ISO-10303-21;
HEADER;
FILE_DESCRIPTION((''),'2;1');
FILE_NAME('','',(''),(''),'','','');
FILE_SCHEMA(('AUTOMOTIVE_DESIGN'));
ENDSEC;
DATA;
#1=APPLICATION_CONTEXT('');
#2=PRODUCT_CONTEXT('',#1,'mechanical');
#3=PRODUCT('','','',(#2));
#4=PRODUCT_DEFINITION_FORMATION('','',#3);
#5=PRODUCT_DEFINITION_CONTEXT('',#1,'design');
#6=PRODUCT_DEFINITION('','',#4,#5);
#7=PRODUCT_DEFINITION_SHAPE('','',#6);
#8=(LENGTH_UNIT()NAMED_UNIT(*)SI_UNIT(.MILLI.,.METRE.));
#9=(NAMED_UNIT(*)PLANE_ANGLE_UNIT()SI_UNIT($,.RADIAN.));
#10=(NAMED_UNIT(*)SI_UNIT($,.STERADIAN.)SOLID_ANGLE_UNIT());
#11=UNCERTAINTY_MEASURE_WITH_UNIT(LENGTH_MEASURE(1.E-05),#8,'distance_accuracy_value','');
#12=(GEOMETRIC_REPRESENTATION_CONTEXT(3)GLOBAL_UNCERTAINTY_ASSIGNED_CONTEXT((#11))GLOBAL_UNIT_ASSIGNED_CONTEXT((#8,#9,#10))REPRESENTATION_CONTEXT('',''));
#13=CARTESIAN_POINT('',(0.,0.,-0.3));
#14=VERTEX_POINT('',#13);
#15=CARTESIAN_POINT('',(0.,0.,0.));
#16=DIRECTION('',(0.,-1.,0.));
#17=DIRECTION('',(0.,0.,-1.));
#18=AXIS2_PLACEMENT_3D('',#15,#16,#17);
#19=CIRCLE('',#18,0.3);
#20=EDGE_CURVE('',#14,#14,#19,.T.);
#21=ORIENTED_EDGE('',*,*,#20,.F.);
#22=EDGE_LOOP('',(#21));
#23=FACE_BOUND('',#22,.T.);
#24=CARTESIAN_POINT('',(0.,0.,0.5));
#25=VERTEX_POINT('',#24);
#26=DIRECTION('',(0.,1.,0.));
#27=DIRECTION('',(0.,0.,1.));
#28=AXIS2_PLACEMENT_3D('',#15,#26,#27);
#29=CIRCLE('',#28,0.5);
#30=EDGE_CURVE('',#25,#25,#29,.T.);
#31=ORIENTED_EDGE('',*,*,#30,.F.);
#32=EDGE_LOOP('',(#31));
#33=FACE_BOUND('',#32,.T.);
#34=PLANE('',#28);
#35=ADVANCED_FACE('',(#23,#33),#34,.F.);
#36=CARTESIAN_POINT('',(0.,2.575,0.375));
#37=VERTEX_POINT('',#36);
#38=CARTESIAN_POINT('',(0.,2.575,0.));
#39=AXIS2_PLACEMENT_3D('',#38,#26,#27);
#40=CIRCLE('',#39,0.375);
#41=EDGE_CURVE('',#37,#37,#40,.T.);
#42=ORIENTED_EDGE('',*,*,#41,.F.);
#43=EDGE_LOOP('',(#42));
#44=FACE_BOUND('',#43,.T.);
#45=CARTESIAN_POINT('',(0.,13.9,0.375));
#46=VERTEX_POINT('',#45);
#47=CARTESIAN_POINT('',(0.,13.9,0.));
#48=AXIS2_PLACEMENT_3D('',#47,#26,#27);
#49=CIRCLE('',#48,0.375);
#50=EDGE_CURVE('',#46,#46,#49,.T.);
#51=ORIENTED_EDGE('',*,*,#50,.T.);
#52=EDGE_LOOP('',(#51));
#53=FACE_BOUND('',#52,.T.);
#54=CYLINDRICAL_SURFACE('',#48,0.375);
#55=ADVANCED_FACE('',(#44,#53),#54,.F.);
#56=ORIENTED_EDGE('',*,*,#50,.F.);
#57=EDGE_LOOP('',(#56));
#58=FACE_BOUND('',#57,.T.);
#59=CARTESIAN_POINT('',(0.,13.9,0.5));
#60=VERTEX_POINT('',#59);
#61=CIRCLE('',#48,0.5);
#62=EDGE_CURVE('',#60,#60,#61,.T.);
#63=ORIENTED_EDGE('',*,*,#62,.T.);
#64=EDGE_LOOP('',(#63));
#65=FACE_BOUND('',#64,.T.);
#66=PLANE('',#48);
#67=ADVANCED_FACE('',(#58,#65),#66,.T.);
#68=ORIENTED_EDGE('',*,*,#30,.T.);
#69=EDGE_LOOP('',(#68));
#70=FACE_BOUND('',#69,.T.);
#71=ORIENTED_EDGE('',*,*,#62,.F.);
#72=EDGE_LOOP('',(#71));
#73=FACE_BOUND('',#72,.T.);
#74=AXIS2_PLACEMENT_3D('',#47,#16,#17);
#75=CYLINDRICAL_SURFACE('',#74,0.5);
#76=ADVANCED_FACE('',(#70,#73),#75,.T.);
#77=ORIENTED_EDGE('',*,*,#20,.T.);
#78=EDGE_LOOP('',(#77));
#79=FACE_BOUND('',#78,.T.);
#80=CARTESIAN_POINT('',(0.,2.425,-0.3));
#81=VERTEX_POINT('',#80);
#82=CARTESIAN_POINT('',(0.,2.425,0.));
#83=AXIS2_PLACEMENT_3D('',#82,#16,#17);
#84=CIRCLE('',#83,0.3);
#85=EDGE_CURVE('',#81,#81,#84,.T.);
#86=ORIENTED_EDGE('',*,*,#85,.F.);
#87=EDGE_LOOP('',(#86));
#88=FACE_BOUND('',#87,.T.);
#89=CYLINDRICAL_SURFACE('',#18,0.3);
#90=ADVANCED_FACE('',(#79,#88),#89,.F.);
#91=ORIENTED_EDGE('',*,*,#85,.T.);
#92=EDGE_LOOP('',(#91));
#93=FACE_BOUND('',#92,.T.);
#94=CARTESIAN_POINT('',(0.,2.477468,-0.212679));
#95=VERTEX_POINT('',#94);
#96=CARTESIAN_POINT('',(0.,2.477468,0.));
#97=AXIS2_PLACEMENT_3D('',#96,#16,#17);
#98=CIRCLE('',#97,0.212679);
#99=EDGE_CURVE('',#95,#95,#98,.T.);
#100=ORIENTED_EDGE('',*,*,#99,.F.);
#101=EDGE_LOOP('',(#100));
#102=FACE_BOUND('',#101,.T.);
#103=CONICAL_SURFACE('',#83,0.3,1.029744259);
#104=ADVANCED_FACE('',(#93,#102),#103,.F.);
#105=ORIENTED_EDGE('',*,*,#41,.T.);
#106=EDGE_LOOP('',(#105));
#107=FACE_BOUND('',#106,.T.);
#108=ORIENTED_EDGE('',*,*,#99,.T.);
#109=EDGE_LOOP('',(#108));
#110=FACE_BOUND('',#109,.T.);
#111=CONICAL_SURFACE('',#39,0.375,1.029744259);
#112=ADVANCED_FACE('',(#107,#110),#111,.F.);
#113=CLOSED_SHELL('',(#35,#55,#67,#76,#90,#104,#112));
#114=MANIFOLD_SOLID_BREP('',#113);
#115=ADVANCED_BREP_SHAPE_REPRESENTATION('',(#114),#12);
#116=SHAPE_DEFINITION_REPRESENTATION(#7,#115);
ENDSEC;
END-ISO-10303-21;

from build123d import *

# Parameters (mm, degrees)
SKETCH1_R                        = 0.5
BOSS_EXTRUDE1_DEPTH              = 13.9
F_0_4_0_4_DIAMETER_HOLE1_D       = 0.4
F_0_75_0_75_DIAMETER_HOLE2_D     = 0.75
F_0_75_0_75_DIAMETER_HOLE2_DEPTH = 11.325
F_0_75_0_75_DIAMETER_HOLE2_TIP   = 0.225322732
F_0_6_0_6_DIAMETER_HOLE4_D       = 0.6
F_0_6_0_6_DIAMETER_HOLE4_DEPTH   = 2.425
F_0_6_0_6_DIAMETER_HOLE4_TIP     = 0.180258186


with BuildPart() as part:
    # Sketch1 → Boss-Extrude1 (new body)
    with BuildSketch(Plane(origin=(0, 0, 0), x_dir=(1, 0, 0), z_dir=(0, 1, 0))):
        with Locations(Location((0, 0, 0), (0, 0, 270))):
            Circle(SKETCH1_R)
    extrude(amount=BOSS_EXTRUDE1_DEPTH)

    # Ø0.4 (0.4) Diameter Hole1 (through all)
    with Locations(Plane(origin=(0, 13.9, 0), x_dir=(-1, 0, 0), z_dir=(0, 1, 0))):
        with Locations((0, 0)):
            Hole(F_0_4_0_4_DIAMETER_HOLE1_D / 2)

    # Ø0.75 (0.75) Diameter Hole2
    with Locations(Plane(origin=(0, 13.9, 0), x_dir=(-1, 0, 0), z_dir=(0, 1, 0))):
        with Locations((0, 0)):
            Hole(F_0_75_0_75_DIAMETER_HOLE2_D / 2, depth=F_0_75_0_75_DIAMETER_HOLE2_DEPTH)
            with Locations((0, 0, -(F_0_75_0_75_DIAMETER_HOLE2_DEPTH + F_0_75_0_75_DIAMETER_HOLE2_TIP / 2))):  # 118° drill point
                Cone(0, F_0_75_0_75_DIAMETER_HOLE2_D / 2, F_0_75_0_75_DIAMETER_HOLE2_TIP, mode=Mode.SUBTRACT)

    # Ø0.6 (0.6) Diameter Hole4
    with Locations(Plane.XZ):
        with Locations((0, 0)):
            Hole(F_0_6_0_6_DIAMETER_HOLE4_D / 2, depth=F_0_6_0_6_DIAMETER_HOLE4_DEPTH)
            with Locations((0, 0, -(F_0_6_0_6_DIAMETER_HOLE4_DEPTH + F_0_6_0_6_DIAMETER_HOLE4_TIP / 2))):  # 118° drill point
                Cone(0, F_0_6_0_6_DIAMETER_HOLE4_D / 2, F_0_6_0_6_DIAMETER_HOLE4_TIP, mode=Mode.SUBTRACT)


solid = part.part
